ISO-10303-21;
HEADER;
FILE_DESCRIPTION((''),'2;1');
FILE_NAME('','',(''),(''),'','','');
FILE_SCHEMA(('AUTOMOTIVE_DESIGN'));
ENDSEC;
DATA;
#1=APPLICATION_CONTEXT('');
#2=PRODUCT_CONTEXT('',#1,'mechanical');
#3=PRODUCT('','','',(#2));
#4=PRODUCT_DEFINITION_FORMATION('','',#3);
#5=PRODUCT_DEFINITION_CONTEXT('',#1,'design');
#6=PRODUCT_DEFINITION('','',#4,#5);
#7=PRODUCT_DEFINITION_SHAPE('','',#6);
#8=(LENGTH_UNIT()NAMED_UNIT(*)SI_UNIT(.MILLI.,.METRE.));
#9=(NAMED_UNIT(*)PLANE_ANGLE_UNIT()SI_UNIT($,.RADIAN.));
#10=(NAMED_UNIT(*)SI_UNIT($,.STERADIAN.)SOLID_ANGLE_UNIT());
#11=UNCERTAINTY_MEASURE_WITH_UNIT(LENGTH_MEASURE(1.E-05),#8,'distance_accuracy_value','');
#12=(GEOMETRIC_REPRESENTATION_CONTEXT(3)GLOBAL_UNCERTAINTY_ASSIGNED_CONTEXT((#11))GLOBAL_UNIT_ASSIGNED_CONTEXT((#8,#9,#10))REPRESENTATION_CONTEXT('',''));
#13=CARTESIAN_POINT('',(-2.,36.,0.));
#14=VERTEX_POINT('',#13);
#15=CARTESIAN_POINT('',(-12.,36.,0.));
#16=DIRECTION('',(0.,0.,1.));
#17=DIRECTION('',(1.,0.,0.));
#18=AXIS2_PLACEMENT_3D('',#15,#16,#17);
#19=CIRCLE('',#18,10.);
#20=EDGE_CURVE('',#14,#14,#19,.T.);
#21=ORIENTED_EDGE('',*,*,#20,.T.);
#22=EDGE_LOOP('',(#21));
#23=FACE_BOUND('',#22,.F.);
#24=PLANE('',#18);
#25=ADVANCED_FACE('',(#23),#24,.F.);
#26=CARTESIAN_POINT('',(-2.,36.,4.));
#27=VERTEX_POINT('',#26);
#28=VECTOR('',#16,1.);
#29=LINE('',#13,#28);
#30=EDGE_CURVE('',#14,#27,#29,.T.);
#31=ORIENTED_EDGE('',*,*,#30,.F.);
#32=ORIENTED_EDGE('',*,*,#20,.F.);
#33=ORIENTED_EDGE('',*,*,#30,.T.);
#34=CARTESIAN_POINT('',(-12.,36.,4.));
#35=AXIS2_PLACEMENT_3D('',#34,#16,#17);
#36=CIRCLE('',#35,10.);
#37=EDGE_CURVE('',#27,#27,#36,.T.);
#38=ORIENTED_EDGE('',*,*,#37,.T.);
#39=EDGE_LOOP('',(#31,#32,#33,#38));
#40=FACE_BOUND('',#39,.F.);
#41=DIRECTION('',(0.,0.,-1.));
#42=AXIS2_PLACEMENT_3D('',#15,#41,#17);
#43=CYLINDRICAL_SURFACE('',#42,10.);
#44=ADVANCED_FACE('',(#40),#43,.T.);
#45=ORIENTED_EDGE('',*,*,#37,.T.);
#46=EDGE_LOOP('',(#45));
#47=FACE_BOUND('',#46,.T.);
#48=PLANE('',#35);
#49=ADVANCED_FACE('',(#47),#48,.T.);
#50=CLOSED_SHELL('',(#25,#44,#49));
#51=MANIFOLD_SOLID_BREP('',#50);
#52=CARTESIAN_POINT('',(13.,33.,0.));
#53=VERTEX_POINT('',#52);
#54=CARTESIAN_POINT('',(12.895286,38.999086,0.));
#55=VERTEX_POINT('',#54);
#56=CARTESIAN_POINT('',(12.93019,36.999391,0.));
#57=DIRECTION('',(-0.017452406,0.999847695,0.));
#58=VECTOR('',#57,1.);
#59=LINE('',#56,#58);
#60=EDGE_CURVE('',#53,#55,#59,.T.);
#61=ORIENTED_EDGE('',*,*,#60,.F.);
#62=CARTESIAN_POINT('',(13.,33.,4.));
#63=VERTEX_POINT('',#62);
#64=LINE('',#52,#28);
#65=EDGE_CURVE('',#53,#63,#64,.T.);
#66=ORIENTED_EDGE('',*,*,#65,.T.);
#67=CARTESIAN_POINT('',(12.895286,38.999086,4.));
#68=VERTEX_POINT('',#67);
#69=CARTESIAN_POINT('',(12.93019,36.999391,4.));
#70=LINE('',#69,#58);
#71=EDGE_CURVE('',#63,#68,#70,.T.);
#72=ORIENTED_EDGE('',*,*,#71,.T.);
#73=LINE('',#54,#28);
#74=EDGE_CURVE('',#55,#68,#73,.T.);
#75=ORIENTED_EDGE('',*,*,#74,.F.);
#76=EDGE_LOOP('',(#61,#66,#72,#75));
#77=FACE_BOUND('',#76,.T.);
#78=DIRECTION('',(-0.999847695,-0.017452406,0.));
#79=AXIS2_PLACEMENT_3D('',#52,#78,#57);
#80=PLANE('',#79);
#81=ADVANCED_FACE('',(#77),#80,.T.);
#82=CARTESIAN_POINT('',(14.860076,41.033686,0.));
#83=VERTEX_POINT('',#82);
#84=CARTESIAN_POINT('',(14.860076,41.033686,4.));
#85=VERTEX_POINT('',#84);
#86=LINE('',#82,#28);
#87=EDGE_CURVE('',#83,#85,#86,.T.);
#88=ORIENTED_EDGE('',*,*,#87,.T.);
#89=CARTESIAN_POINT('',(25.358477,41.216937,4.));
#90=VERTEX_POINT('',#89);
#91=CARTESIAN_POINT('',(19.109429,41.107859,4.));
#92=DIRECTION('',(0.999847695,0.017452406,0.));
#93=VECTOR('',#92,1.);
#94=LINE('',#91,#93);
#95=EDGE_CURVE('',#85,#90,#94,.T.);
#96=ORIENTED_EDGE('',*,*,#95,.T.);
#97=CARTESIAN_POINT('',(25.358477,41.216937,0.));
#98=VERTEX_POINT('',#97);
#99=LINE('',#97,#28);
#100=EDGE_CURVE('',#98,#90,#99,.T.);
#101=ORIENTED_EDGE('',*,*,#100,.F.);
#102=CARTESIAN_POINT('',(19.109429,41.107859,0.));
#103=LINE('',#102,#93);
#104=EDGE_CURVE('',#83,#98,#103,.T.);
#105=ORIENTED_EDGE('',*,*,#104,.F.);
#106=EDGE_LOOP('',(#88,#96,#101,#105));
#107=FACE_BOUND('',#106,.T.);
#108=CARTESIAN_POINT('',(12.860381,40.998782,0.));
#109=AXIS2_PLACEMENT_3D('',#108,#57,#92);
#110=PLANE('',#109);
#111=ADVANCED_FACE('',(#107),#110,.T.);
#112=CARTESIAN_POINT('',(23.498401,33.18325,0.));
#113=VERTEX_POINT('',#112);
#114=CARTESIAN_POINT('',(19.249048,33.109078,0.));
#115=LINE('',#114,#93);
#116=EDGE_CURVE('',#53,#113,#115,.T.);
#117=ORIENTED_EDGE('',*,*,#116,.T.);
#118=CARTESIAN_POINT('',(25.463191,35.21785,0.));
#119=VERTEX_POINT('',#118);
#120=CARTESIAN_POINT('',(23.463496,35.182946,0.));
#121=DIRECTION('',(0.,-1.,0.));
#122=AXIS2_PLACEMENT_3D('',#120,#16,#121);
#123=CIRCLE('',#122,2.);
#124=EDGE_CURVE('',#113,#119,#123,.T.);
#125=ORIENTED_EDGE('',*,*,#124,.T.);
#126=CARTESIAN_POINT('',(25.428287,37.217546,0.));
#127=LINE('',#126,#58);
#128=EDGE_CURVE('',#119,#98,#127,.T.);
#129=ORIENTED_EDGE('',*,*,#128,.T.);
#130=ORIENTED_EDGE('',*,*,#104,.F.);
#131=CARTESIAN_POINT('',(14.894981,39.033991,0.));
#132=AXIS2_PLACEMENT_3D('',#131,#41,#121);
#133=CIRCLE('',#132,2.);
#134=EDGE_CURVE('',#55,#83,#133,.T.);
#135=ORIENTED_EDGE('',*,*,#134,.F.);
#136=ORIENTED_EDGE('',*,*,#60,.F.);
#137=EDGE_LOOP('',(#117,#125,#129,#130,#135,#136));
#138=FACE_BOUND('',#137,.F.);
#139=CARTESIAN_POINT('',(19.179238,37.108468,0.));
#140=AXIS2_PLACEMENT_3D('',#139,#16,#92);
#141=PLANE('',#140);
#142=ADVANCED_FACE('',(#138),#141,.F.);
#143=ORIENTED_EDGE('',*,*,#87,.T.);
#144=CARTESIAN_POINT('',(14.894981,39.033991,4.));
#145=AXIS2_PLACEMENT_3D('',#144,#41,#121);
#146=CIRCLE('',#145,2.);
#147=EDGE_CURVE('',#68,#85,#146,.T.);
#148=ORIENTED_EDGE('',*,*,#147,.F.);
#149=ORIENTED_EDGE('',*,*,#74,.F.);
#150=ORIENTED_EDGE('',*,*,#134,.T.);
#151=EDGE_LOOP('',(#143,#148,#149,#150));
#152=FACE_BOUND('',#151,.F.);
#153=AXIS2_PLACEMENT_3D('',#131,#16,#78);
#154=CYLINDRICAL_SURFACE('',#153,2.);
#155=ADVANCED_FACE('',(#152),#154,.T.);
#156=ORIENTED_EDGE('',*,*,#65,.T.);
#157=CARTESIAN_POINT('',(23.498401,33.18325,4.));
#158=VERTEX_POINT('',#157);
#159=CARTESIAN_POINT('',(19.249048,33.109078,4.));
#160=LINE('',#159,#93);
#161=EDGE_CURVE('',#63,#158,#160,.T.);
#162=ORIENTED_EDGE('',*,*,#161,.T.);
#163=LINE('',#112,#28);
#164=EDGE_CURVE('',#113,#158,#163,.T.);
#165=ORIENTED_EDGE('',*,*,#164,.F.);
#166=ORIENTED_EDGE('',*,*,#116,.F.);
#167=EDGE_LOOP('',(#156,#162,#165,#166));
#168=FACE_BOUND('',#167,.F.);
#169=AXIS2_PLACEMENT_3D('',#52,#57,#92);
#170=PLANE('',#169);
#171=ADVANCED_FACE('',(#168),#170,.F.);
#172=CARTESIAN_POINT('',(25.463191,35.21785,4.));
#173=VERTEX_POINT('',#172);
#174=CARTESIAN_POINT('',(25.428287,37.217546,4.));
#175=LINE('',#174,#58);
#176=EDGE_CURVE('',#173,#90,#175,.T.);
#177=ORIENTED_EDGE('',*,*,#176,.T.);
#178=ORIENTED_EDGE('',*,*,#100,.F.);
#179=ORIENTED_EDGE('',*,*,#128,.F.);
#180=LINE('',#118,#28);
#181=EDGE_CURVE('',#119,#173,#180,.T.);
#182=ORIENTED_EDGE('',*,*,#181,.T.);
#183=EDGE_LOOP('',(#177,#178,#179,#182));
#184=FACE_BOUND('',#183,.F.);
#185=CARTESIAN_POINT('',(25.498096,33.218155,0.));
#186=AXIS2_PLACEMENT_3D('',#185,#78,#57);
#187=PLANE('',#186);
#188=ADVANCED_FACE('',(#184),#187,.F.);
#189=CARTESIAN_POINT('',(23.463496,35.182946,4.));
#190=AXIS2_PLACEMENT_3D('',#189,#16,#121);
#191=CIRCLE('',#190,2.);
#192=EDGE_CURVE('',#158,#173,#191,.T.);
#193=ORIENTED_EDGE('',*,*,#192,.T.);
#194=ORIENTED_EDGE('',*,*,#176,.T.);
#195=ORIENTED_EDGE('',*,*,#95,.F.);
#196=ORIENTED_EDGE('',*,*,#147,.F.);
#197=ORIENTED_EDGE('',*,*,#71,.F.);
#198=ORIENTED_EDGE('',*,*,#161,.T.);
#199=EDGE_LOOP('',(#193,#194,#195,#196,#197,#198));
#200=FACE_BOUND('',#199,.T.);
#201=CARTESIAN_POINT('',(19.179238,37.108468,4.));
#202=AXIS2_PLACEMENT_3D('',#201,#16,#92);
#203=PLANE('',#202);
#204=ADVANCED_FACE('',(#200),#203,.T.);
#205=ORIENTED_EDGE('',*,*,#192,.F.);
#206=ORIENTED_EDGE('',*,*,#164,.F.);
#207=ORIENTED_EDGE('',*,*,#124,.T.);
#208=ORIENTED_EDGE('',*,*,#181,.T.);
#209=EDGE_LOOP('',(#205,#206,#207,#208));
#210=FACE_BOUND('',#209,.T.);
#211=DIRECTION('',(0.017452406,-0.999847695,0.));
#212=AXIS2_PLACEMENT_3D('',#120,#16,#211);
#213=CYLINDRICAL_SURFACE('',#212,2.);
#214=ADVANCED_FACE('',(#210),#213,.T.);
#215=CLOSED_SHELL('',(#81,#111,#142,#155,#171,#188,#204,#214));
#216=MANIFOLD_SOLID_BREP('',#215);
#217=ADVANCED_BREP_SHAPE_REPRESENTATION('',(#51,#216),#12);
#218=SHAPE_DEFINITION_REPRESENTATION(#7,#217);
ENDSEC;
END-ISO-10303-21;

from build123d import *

# Parameters (mm, degrees)
CYLINDER_R          = 10
CYLINDER_DEPTH      = 4
BOX_W               = 12.5
BOX_H               = 8
BOX_DEPTH           = 4
BOX_PLACEMENT_ANGLE = 1
FILLET_R            = 2


with BuildPart() as cylinder:
    # Cylinder → Cylinder (new body)
    with BuildSketch(Plane(origin=(-12, 36, 0), x_dir=(1, 0, 0), z_dir=(0, 0, 1))):
        Circle(CYLINDER_R)
    extrude(amount=CYLINDER_DEPTH)


with BuildPart() as fillet_body:
    # Box → Box (new body)
    with BuildSketch(Plane.XY):
        with Locations((6.25, 4)):
            Rectangle(BOX_W, BOX_H)
    extrude(amount=BOX_DEPTH)


with BuildPart() as fillet_body_1:
    # Box placement: moved
    add(fillet_body.part.moved(Location((13, 33, 0))).rotate(Axis((13, 33, 0), (0, 0, 1)), BOX_PLACEMENT_ANGLE))

    # Fusion: union Cylinder
    add(cylinder.part)

    # Fillet
    fillet_edges = [fillet_body_1.edges().sort_by_distance(p)[0] for p in [
        (12.860381, 40.998782, 2),
        (25.498096, 33.218155, 2),
    ]]
    fillet(fillet_edges, radius=FILLET_R)


solid = fillet_body_1.part
